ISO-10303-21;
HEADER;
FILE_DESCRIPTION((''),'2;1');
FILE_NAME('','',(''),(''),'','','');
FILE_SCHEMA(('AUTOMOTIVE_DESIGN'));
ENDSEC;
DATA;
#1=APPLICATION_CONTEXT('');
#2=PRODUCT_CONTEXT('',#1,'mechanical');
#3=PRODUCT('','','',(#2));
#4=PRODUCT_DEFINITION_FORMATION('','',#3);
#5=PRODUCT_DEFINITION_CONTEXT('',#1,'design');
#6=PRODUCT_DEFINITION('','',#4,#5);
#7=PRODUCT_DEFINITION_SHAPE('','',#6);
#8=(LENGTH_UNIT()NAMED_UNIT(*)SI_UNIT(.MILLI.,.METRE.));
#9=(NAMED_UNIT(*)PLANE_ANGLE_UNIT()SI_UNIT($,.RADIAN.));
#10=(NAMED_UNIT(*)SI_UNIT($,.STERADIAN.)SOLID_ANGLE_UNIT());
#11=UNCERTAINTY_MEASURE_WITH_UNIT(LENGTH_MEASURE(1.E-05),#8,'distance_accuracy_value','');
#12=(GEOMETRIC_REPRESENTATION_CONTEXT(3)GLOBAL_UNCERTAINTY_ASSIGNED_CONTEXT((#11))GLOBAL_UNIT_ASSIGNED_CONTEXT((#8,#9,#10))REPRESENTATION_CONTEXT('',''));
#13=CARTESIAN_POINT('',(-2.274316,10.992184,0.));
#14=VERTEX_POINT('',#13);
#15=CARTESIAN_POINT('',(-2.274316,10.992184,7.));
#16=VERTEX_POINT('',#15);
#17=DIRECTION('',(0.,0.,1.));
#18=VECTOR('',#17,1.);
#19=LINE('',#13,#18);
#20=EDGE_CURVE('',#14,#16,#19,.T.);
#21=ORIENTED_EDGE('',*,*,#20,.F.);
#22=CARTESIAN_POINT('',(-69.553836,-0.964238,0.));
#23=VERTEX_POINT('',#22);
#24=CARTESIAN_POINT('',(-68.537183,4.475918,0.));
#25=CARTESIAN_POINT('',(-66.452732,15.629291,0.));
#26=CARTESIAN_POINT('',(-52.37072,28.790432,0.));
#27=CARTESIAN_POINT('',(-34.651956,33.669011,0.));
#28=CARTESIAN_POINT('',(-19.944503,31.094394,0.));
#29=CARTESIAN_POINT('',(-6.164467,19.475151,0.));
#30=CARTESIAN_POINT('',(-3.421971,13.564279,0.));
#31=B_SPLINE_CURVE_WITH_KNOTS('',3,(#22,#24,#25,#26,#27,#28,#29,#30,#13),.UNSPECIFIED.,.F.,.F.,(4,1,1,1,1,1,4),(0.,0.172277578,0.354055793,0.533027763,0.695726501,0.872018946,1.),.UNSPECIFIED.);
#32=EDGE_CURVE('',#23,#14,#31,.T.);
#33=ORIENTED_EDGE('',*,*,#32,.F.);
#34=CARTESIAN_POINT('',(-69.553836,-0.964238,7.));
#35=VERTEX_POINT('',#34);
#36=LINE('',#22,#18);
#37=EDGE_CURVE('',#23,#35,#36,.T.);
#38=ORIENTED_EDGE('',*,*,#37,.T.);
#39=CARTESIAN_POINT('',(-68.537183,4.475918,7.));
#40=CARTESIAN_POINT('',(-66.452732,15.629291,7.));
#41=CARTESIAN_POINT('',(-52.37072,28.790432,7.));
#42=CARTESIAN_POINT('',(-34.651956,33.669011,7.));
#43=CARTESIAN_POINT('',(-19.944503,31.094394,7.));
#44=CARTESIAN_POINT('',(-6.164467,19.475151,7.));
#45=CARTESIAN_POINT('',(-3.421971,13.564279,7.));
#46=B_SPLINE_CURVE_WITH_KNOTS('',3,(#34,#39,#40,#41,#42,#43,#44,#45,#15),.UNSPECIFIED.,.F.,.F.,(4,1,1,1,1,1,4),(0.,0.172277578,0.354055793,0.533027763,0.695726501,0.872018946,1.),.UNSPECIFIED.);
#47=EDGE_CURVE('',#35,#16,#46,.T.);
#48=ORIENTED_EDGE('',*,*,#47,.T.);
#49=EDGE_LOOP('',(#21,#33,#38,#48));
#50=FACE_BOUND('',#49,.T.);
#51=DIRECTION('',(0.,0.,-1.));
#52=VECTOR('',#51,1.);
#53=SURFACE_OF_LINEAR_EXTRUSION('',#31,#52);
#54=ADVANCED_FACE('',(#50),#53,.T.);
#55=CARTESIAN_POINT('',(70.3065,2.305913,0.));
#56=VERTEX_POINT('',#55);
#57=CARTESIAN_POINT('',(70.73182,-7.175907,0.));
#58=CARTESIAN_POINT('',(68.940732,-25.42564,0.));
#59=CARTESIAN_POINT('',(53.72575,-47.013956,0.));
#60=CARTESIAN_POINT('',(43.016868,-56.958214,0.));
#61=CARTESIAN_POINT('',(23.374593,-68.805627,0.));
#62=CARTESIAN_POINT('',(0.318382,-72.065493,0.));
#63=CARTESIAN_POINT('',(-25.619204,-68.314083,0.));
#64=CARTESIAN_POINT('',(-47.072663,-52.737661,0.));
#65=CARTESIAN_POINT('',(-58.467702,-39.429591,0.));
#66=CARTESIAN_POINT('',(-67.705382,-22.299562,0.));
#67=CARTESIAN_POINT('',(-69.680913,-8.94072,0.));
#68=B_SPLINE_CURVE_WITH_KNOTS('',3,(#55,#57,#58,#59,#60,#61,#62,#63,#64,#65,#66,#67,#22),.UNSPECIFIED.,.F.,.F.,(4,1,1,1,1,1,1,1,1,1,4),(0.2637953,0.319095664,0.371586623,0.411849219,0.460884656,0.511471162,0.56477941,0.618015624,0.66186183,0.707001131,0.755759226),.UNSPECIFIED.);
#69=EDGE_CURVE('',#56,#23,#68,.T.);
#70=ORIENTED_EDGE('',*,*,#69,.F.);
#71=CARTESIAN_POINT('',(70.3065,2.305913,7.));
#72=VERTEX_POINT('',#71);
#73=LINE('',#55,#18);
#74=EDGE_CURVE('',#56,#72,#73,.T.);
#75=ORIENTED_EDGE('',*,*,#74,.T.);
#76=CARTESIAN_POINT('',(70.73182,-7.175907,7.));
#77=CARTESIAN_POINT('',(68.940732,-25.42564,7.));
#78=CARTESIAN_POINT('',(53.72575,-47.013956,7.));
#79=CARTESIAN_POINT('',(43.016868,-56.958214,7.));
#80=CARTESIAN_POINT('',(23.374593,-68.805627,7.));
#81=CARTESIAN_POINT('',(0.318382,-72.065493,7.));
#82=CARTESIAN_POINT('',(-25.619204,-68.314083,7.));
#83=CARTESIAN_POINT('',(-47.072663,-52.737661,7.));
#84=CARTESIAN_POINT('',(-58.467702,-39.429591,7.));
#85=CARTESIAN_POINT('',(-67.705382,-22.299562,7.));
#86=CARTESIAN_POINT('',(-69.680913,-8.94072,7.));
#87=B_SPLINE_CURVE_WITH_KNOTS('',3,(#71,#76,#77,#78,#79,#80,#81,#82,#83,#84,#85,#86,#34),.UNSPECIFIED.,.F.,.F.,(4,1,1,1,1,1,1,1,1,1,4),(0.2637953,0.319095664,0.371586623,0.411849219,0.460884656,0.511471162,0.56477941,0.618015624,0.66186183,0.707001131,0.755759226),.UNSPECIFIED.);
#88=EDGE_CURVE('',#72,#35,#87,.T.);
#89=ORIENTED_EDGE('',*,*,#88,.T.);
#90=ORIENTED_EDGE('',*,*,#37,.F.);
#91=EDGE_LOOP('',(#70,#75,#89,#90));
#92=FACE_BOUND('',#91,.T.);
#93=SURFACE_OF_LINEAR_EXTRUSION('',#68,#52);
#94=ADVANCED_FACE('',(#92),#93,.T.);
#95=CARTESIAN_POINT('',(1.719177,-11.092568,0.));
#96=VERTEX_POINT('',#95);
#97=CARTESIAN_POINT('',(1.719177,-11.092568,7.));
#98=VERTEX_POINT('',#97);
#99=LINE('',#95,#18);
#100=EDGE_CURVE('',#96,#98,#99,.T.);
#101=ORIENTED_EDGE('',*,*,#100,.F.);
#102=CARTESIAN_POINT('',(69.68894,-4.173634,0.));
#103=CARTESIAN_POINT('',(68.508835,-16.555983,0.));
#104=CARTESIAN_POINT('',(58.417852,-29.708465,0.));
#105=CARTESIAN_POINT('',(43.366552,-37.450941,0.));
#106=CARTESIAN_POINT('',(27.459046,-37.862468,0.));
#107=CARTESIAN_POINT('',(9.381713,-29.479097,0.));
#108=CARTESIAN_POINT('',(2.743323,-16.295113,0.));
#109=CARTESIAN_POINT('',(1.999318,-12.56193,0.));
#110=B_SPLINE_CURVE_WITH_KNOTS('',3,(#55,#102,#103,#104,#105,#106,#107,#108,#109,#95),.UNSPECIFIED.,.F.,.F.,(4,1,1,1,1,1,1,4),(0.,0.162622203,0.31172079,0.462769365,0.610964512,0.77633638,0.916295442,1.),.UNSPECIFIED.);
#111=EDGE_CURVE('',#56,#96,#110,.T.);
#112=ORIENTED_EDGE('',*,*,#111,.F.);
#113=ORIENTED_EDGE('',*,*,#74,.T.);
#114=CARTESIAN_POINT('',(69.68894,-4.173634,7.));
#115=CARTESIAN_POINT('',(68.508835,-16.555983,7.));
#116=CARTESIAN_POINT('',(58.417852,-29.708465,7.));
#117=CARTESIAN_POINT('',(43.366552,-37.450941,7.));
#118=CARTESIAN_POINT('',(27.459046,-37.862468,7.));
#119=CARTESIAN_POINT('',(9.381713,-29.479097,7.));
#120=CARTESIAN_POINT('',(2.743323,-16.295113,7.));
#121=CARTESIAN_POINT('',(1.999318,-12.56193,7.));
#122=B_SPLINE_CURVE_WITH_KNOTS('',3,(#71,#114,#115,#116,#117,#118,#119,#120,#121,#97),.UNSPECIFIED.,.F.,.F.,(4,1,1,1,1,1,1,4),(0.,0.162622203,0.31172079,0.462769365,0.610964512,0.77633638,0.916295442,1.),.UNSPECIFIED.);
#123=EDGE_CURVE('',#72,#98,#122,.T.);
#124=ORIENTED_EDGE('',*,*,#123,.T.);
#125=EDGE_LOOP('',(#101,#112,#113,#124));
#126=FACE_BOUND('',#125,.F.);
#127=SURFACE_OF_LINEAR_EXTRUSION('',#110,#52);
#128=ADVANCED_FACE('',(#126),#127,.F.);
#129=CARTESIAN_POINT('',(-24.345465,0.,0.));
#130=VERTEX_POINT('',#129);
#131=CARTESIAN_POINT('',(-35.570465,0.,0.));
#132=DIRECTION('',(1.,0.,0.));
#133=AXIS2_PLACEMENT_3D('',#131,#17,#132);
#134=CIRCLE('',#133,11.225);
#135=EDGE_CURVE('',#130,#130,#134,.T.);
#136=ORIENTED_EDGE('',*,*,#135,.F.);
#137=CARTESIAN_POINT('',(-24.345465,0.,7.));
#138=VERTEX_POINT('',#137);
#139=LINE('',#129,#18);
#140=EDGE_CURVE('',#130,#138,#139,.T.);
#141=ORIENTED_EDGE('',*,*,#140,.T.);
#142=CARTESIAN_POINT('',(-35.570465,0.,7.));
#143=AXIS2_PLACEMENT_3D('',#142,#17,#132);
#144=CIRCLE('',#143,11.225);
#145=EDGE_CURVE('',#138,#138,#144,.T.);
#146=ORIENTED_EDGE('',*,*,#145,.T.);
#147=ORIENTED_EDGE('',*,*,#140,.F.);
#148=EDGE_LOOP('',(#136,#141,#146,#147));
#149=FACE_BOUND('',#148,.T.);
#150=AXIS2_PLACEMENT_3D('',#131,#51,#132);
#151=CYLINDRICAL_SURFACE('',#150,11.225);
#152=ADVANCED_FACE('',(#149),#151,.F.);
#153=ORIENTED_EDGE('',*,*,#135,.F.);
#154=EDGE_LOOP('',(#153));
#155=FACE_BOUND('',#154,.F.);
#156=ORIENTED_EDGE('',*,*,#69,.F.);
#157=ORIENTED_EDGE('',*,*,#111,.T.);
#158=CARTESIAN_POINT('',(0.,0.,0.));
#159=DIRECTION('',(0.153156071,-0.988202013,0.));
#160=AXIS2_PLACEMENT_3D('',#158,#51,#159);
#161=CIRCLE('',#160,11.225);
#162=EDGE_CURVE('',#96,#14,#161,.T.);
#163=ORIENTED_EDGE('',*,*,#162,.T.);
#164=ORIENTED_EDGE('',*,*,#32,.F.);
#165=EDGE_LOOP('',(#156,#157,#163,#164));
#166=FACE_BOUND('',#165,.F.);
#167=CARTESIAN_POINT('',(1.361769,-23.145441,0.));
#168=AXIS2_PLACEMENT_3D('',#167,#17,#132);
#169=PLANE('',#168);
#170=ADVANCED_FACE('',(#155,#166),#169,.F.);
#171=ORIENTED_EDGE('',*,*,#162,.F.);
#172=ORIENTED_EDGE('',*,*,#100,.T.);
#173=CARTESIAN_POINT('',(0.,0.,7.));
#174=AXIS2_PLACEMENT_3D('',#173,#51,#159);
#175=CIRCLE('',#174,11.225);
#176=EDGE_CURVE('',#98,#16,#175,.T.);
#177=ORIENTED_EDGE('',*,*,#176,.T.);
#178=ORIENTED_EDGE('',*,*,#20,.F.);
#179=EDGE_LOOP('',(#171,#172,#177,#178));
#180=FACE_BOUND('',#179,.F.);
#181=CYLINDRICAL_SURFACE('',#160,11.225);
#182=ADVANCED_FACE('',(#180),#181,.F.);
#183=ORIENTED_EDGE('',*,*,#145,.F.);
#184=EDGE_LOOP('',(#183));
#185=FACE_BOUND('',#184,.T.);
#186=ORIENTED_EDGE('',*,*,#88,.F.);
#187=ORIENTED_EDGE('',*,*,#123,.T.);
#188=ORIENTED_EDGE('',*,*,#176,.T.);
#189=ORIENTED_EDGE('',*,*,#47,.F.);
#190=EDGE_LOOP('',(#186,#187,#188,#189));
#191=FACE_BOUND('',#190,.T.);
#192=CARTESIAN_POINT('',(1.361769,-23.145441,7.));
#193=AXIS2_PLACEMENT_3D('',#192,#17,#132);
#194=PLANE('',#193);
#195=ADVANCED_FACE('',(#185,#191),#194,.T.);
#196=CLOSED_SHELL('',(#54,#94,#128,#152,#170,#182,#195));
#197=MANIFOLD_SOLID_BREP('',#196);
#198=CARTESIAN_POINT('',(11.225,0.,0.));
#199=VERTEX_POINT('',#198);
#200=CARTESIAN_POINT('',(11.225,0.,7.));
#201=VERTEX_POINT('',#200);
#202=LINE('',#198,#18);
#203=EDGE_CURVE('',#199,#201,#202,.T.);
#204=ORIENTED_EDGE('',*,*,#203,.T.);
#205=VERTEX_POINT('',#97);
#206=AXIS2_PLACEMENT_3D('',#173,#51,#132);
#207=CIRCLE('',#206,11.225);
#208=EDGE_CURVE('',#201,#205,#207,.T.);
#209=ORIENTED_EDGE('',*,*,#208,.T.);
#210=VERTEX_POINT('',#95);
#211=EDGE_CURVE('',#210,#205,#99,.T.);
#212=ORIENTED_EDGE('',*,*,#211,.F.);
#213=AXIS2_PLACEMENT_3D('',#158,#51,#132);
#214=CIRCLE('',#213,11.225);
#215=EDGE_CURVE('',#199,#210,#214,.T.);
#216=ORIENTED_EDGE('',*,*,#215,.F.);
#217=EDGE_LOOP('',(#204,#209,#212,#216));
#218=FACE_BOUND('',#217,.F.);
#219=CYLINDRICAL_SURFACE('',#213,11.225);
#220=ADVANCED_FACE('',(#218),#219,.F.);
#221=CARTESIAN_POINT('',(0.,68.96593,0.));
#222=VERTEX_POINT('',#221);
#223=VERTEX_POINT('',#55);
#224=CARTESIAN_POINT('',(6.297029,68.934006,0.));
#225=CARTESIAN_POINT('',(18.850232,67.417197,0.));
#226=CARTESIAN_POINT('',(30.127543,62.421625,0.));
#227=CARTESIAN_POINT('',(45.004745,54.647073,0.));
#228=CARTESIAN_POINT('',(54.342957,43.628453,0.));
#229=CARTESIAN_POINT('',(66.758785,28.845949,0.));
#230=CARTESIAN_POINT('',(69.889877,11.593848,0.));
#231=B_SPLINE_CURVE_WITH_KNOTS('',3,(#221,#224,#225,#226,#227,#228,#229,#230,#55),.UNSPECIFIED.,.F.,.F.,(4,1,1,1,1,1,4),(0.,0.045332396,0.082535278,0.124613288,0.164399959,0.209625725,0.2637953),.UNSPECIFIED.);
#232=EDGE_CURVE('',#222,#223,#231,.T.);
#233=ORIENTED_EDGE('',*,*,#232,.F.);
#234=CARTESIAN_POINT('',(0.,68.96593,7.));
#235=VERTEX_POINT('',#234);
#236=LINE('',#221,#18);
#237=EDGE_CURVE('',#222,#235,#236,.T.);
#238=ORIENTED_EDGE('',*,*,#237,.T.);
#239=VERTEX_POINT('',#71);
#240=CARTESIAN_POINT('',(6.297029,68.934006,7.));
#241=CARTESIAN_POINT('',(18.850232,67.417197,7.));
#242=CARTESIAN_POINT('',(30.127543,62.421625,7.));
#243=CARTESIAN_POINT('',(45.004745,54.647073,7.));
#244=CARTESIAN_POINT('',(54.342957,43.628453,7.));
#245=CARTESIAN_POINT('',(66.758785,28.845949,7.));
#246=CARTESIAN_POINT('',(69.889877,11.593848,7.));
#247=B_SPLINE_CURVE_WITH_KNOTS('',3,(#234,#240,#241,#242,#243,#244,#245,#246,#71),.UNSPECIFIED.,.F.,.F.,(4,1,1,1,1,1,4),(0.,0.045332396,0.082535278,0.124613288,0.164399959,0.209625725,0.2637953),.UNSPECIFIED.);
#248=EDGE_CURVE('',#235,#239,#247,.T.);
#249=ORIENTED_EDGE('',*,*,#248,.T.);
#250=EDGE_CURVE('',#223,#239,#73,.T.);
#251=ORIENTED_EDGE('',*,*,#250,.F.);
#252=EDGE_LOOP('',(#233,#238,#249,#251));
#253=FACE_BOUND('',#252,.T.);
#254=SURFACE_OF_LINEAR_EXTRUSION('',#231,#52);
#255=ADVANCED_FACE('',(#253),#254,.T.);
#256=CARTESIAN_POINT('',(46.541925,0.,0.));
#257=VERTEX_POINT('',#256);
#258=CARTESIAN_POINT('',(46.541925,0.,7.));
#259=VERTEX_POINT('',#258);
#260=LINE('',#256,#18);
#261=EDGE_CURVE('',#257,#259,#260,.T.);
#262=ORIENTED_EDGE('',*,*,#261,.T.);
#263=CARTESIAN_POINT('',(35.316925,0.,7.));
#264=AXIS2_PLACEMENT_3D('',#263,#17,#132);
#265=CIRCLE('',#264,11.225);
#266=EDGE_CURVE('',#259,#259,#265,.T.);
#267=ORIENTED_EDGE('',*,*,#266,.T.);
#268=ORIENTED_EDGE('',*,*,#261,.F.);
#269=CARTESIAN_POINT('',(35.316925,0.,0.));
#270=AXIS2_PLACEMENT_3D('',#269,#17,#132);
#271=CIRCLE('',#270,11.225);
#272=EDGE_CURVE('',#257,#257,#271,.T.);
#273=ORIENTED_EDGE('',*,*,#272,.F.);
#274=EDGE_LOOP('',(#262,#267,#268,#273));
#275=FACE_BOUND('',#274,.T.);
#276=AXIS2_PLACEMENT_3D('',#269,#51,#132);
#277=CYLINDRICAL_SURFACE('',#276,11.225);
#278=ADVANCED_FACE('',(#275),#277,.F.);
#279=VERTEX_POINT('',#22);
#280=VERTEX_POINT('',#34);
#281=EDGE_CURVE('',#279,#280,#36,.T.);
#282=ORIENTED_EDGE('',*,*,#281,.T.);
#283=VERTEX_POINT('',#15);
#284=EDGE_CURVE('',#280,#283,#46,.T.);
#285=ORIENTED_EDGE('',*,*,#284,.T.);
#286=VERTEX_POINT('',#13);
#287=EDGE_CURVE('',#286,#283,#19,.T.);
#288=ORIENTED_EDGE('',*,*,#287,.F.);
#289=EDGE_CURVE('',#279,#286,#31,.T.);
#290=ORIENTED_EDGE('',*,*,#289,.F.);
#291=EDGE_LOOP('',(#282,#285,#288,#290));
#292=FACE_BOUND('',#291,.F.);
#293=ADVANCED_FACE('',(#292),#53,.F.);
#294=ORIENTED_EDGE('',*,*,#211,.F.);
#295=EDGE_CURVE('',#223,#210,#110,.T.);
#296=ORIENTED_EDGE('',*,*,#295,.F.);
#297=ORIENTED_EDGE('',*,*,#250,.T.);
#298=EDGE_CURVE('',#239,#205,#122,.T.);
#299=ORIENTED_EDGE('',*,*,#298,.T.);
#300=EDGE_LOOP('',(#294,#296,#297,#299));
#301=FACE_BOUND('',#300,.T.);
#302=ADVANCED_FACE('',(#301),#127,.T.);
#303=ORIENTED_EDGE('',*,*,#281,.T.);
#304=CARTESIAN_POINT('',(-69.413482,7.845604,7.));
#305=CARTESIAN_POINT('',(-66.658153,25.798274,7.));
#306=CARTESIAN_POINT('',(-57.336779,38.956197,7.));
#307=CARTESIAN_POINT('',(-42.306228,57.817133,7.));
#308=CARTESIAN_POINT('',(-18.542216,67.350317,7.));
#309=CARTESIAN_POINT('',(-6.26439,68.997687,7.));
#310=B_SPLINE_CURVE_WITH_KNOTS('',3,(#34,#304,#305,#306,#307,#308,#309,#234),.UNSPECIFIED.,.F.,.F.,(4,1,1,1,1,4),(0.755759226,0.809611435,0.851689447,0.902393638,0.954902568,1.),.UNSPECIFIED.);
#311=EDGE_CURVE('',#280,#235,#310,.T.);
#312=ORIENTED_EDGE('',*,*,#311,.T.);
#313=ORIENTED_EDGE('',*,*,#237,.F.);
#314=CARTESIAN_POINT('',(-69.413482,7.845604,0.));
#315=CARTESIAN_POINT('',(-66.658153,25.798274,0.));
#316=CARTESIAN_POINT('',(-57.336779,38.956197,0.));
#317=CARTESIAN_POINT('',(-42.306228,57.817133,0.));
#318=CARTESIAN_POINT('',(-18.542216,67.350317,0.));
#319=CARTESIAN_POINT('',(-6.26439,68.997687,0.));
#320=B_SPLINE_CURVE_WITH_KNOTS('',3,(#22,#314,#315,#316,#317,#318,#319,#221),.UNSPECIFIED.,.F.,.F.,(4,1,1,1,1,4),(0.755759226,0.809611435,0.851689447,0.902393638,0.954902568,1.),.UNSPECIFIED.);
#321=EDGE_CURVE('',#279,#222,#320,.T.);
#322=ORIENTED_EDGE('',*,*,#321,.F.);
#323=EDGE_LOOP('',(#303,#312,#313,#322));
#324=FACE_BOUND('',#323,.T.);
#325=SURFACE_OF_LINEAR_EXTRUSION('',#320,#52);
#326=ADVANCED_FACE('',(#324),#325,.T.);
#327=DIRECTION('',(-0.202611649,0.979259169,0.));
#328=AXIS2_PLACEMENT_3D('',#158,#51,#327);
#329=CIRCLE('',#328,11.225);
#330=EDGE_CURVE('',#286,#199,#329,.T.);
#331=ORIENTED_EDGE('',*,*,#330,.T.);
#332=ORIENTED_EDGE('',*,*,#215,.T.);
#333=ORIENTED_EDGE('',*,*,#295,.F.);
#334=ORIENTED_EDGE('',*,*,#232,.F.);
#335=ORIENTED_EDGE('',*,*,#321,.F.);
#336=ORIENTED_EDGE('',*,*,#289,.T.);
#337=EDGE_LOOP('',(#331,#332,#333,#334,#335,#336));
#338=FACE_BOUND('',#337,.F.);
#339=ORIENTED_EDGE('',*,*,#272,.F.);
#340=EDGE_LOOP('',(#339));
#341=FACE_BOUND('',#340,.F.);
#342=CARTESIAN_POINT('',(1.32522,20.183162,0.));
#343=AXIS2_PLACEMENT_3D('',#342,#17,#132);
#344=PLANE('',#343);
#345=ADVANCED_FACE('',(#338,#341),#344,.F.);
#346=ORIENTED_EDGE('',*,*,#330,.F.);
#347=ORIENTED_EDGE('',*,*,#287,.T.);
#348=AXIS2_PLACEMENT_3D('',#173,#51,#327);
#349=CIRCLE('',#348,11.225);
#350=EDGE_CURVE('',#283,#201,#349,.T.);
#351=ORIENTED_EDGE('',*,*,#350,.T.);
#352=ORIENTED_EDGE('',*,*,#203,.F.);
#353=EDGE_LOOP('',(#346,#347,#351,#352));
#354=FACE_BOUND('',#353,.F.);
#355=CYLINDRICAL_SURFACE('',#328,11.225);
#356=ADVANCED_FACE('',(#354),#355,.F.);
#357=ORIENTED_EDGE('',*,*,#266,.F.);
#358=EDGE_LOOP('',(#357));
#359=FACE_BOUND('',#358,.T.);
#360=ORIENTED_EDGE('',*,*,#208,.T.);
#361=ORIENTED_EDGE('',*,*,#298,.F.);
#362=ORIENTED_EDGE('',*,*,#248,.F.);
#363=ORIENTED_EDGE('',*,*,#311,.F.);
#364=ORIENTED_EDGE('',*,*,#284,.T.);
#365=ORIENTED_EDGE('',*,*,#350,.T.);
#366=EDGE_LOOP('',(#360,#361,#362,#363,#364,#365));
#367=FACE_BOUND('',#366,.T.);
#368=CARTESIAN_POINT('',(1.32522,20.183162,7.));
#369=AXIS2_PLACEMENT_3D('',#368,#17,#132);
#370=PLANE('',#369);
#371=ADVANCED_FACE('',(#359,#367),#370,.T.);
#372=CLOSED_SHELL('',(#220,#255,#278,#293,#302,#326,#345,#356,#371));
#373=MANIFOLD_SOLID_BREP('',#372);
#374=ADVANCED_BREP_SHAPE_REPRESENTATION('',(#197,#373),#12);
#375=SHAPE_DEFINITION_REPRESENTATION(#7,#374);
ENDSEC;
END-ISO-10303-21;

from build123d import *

# Parameters (mm, degrees)
F0_R     = 11.225
F1_DEPTH = 7
F2_DEPTH = 7


with BuildPart() as f1:
    # F0 (on Top) → F1 (new body)
    with BuildSketch(Plane.XY):
        with BuildLine():
            ThreePointArc((-2.2743157549, 10.9921841709), (7.0877158045, 8.704304089), (11.225, 0))
            ThreePointArc((11.225, 0), (8.5234495839, -7.3042064723), (1.7191768926, -11.0925675933))
            add(Edge.make_bspline(
                [(70.3064999543, 2.3059130181), (69.688940337, -4.1736338366), (68.5088349679, -16.555983317), (58.4178523774, -29.7084647635), (43.3665523548, -37.4509413909), (27.4590461497, -37.8624678668), (9.3817126018, -29.4790971388), (2.7433228822, -16.2951133091), (1.9993177969, -12.5619303302), (1.7191768926, -11.0925675933)],
                knots=[0, 0, 0, 0, 0.1626222027, 0.3117207899, 0.4627693646, 0.610964512, 0.7763363803, 0.9162954419, 1, 1, 1, 1], degree=3))
            add(Edge.make_bspline(
                [(0, 68.9659295604), (6.2970288293, 68.9340062627), (18.8502319545, 67.4171971612), (30.127542781, 62.4216250716), (45.0047453647, 54.6470734114), (54.3429573759, 43.6284533368), (66.7587849583, 28.8459487139), (69.8898769291, 11.5938477678), (70.3064999543, 2.3059130181)],
                knots=[0, 0, 0, 0, 0.0453323962, 0.0825352779, 0.1246132877, 0.1643999595, 0.2096257251, 0.2637953005, 0.2637953005, 0.2637953005, 0.2637953005], degree=3))
            add(Edge.make_bspline(
                [(-69.5538357832, -0.9642383084), (-69.4134820504, 7.8456043337), (-66.6581532146, 25.7982735531), (-57.3367791041, 38.9561969702), (-42.3062281591, 57.8171329129), (-18.5422155614, 67.3503172445), (-6.2643904795, 68.9976873953), (0, 68.9659295604)],
                knots=[0.7557592261, 0.7557592261, 0.7557592261, 0.7557592261, 0.8096114354, 0.8516894469, 0.9023936377, 0.9549025677, 1, 1, 1, 1], degree=3))
            add(Edge.make_bspline(
                [(-69.5538357832, -0.9642383084), (-68.5371832352, 4.4759175209), (-66.4527316619, 15.6292908022), (-52.37072043, 28.7904321619), (-34.6519555327, 33.6690114797), (-19.9445032101, 31.0943943092), (-6.1644672972, 19.4751509403), (-3.4219712027, 13.5642790905), (-2.2743157549, 10.9921841709)],
                knots=[0, 0, 0, 0, 0.1722775775, 0.354055793, 0.533027763, 0.6957265012, 0.8720189459, 1, 1, 1, 1], degree=3))
        make_face()
        with Locations((35.3169254959, 0)):
            Circle(F0_R, mode=Mode.SUBTRACT)
    extrude(amount=F1_DEPTH)


with BuildPart() as f2:
    # F0 (on Top) → F2 (new body)
    with BuildSketch(Plane.XY):
        with BuildLine():
            ThreePointArc((1.7191768926, -11.0925675933), (-11.0458639278, -1.9973770524), (-2.2743157549, 10.9921841709))
            add(Edge.make_bspline(
                [(-69.5538357832, -0.9642383084), (-68.5371832352, 4.4759175209), (-66.4527316619, 15.6292908022), (-52.37072043, 28.7904321619), (-34.6519555327, 33.6690114797), (-19.9445032101, 31.0943943092), (-6.1644672972, 19.4751509403), (-3.4219712027, 13.5642790905), (-2.2743157549, 10.9921841709)],
                knots=[0, 0, 0, 0, 0.1722775775, 0.354055793, 0.533027763, 0.6957265012, 0.8720189459, 1, 1, 1, 1], degree=3))
            add(Edge.make_bspline(
                [(70.3064999543, 2.3059130181), (70.7318199679, -7.1759069832), (68.9407316567, -25.4256404213), (53.7257496841, -47.0139559988), (43.0168677627, -56.9582138939), (23.3745931523, -68.805627227), (0.3183816463, -72.0654928508), (-25.6192039301, -68.314082709), (-47.072663084, -52.7376612264), (-58.4677018182, -39.4295905069), (-67.7053823851, -22.2995617055), (-69.6809128473, -8.9407197078), (-69.5538357832, -0.9642383084)],
                knots=[0.2637953005, 0.2637953005, 0.2637953005, 0.2637953005, 0.3190956635, 0.3715866234, 0.4118492186, 0.4608846559, 0.5114711621, 0.5647794098, 0.6180156237, 0.6618618297, 0.7070011309, 0.7557592261, 0.7557592261, 0.7557592261, 0.7557592261], degree=3))
            add(Edge.make_bspline(
                [(70.3064999543, 2.3059130181), (69.688940337, -4.1736338366), (68.5088349679, -16.555983317), (58.4178523774, -29.7084647635), (43.3665523548, -37.4509413909), (27.4590461497, -37.8624678668), (9.3817126018, -29.4790971388), (2.7433228822, -16.2951133091), (1.9993177969, -12.5619303302), (1.7191768926, -11.0925675933)],
                knots=[0, 0, 0, 0, 0.1626222027, 0.3117207899, 0.4627693646, 0.610964512, 0.7763363803, 0.9162954419, 1, 1, 1, 1], degree=3))
        make_face()
        with Locations((-35.5704650283, 0)):
            Circle(F0_R, mode=Mode.SUBTRACT)
    extrude(amount=F2_DEPTH)


solid = Compound([f1.part, f2.part])
